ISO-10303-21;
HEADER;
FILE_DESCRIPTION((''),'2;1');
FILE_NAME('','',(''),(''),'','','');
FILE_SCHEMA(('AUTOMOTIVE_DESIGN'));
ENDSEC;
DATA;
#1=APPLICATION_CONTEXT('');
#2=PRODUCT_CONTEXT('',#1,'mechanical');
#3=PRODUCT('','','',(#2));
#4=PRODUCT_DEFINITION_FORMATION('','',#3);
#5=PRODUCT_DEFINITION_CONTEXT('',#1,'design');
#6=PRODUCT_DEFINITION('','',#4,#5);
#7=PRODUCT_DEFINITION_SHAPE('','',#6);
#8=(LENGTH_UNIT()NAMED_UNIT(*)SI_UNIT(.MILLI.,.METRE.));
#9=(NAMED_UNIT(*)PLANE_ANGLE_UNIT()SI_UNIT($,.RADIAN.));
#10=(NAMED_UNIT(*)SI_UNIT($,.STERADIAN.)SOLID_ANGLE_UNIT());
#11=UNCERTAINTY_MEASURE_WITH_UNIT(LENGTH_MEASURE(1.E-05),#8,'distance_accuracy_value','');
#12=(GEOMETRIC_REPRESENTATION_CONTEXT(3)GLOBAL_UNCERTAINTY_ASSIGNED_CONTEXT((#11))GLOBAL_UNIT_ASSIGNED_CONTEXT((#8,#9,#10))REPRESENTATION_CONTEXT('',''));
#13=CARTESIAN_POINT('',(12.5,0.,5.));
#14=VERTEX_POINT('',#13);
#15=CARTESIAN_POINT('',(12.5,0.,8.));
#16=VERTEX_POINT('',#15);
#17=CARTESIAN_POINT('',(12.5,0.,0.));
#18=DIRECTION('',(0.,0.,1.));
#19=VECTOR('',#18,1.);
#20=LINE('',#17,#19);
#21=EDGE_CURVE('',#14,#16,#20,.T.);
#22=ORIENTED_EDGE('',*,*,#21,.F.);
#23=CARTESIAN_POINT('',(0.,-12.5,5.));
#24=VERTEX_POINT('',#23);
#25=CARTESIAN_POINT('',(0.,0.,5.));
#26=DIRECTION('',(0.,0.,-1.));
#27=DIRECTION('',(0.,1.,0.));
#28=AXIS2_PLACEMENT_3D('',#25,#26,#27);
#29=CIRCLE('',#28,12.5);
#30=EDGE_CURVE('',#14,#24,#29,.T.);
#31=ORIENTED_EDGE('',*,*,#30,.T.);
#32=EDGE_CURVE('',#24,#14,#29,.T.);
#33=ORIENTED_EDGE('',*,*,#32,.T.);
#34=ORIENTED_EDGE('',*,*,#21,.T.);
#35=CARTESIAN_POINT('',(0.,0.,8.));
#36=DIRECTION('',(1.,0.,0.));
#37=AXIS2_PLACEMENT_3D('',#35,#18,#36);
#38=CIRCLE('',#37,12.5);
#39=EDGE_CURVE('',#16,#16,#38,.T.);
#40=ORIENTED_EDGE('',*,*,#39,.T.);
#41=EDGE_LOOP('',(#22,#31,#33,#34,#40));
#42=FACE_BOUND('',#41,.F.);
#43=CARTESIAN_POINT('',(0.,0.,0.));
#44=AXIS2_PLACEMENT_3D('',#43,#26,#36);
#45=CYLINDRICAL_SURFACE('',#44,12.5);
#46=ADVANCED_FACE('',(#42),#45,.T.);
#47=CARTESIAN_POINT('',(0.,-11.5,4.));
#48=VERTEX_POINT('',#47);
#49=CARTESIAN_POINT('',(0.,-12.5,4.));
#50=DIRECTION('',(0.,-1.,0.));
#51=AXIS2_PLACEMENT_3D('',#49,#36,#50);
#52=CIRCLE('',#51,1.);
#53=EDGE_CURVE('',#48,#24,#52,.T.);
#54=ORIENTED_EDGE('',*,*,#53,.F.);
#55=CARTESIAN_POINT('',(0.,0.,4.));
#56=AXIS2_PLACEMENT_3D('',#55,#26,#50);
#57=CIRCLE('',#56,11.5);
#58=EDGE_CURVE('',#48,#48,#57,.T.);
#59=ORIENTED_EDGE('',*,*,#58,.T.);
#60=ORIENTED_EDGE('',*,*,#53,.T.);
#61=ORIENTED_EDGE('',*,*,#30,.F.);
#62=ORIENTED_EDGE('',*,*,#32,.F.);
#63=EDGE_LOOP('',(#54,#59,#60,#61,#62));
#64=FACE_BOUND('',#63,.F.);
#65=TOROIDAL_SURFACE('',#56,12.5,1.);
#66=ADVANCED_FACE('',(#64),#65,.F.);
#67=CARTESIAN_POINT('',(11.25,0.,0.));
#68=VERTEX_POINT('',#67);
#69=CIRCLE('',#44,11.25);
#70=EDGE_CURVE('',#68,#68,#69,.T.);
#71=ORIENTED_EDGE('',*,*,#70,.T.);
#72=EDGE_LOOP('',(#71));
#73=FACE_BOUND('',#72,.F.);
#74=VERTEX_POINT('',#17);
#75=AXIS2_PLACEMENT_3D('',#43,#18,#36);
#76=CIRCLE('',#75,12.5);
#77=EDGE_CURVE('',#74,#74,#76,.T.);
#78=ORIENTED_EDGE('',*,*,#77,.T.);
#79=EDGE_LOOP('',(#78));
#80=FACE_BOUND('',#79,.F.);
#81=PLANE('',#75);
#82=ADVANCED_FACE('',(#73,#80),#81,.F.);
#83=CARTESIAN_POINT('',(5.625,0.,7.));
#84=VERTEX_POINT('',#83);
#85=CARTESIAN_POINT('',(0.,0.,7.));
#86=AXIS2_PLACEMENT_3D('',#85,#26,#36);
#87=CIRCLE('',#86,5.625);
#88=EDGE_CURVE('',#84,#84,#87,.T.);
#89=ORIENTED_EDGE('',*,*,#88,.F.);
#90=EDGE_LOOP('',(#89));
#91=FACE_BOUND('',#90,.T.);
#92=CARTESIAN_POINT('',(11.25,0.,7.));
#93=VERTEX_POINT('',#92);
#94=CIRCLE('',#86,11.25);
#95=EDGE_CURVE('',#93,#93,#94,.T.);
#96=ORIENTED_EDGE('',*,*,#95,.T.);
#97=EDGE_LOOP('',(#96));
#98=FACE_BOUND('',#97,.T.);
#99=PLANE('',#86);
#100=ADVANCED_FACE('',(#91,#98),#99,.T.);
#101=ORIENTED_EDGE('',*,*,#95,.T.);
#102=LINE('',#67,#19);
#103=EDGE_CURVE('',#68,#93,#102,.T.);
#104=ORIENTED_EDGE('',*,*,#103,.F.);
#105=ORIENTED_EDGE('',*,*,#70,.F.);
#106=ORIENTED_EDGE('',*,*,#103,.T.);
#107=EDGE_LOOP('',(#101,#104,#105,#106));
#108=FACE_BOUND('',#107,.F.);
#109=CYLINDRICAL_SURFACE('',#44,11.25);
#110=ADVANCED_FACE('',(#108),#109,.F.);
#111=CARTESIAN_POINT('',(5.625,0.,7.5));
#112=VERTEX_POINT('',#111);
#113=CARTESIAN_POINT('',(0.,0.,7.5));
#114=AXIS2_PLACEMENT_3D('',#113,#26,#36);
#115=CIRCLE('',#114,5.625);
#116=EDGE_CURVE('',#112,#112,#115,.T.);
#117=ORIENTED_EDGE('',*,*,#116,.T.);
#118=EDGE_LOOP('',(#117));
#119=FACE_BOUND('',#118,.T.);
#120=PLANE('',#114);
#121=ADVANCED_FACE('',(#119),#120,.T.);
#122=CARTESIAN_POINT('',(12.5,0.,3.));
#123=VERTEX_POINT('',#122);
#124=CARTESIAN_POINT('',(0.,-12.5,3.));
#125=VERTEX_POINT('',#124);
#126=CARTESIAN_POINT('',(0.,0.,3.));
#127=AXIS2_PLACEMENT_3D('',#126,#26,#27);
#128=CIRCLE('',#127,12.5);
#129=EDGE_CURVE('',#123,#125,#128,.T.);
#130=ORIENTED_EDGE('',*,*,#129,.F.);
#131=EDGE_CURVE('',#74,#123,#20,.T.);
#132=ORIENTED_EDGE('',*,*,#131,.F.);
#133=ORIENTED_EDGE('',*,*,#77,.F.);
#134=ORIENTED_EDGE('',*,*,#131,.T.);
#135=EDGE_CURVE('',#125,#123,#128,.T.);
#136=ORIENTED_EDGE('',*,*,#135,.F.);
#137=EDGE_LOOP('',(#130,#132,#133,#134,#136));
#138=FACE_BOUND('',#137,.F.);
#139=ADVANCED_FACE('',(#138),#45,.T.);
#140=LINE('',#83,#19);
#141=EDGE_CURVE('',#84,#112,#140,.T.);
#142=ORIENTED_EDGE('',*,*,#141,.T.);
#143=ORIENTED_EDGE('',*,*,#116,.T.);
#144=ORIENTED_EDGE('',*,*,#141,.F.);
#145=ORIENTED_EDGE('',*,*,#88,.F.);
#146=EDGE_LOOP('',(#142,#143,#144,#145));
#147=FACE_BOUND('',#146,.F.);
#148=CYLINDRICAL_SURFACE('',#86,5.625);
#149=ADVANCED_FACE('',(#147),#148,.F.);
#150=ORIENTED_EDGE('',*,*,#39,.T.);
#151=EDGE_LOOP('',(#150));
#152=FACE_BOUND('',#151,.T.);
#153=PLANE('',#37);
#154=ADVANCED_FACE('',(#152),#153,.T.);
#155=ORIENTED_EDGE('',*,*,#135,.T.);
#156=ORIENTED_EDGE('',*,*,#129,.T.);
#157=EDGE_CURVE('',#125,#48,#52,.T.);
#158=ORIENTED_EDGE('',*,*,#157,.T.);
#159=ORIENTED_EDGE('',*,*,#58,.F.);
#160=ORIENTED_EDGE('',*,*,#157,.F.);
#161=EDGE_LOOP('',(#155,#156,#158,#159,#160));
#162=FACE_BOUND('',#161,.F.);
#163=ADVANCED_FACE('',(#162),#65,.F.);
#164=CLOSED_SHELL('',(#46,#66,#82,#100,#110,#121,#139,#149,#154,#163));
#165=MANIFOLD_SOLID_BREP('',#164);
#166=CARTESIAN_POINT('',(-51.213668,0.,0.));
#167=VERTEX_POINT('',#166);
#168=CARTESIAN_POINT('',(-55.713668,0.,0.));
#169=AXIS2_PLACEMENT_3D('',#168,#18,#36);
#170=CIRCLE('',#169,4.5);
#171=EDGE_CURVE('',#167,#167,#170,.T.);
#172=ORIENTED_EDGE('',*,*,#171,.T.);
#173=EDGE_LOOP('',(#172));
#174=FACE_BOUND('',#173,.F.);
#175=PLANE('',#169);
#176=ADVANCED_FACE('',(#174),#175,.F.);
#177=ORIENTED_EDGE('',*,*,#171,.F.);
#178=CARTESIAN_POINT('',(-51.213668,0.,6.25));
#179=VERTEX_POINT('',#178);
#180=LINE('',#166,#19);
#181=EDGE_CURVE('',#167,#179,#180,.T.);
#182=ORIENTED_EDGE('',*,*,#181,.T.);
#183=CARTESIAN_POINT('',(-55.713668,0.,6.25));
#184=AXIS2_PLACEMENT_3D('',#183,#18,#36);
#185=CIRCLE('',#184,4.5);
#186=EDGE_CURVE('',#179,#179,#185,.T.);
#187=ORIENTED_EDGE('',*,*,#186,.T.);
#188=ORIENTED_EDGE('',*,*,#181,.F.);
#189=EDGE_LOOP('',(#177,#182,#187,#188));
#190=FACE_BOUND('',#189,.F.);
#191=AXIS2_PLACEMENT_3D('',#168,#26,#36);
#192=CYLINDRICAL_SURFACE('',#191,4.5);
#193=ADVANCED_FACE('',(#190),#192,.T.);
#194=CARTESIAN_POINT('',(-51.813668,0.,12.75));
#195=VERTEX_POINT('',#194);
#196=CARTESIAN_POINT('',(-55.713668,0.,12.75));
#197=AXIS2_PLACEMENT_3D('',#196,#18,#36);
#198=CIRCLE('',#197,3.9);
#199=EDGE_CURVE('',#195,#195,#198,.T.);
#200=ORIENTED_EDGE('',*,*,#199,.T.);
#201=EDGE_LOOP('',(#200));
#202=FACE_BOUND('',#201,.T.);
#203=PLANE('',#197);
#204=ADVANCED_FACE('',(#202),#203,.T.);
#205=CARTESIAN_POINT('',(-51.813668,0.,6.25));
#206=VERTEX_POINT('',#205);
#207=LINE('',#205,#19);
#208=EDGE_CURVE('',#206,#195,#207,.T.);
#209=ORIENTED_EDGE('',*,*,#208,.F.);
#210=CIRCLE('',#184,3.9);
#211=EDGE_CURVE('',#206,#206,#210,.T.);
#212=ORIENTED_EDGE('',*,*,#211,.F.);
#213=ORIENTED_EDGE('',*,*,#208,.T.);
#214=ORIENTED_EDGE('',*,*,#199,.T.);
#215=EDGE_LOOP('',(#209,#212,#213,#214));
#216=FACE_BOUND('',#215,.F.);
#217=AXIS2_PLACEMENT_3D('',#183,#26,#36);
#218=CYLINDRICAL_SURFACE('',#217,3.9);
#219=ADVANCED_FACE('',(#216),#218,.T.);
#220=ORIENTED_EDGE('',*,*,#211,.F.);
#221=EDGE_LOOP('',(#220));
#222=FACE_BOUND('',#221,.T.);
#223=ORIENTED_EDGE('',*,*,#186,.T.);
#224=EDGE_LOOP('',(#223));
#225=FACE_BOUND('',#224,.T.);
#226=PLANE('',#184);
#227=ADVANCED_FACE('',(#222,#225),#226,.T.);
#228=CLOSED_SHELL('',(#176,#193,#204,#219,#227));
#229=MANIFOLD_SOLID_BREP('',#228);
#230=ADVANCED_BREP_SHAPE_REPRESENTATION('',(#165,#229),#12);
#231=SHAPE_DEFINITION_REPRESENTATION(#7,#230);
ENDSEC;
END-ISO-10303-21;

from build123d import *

# Parameters (mm, degrees)
F0_R      = 12.5
F1_DEPTH  = 8
F2_R      = 1
F4_R      = 11.25
F5_DEPTH  = 7
F6_R      = 5.625
F7_DEPTH  = 0.5
F8_R      = 4.5
F9_DEPTH  = 6.25
F10_R     = 3.9
F11_DEPTH = 6.5


with BuildPart() as f1:
    # F0 (on Top) → F1 (new body)
    with BuildSketch(Plane.XY):
        Circle(F0_R)
    extrude(amount=F1_DEPTH)

    # F3: sweep along a path in F3_path
    with BuildLine(Plane(origin=(12.5, 0, 0), x_dir=(0, -1, 0), z_dir=(0, 0, -1))) as f3_path:
        CenterArc((0, 12.5), 12.5, 0, 360)
    # F2 (on Front) → F3 (sweep, cut)
    with BuildSketch(Plane.XZ):
        with Locations((-12.5, 4)):
            Circle(F2_R)
    sweep(path=f3_path.line, mode=Mode.SUBTRACT)

    # F4 (on face) → F5 (cut)
    with BuildSketch(Plane(origin=(0, 0, 0), x_dir=(1, 0, 0), z_dir=(0, 0, -1))):
        Circle(F4_R)
    extrude(amount=-F5_DEPTH, mode=Mode.SUBTRACT)

    # F6 (on face) → F7 (cut)
    with BuildSketch(Plane(origin=(0, 0, 7), x_dir=(1, 0, 0), z_dir=(0, 0, -1))):
        Circle(F6_R)
    extrude(amount=-F7_DEPTH, mode=Mode.SUBTRACT)


with BuildPart() as f9:
    # F8 (on Top) → F9 (new body)
    with BuildSketch(Plane.XY):
        with Locations((-55.7136684656, 0)):
            Circle(F8_R)
    extrude(amount=F9_DEPTH)

    # F10 (on face) → F11 (join)
    with BuildSketch(Plane.XY.offset(6.25)):
        with Locations((-55.7136684656, 0)):
            Circle(F10_R)
    extrude(amount=F11_DEPTH)


solid = Compound([f1.part, f9.part])
